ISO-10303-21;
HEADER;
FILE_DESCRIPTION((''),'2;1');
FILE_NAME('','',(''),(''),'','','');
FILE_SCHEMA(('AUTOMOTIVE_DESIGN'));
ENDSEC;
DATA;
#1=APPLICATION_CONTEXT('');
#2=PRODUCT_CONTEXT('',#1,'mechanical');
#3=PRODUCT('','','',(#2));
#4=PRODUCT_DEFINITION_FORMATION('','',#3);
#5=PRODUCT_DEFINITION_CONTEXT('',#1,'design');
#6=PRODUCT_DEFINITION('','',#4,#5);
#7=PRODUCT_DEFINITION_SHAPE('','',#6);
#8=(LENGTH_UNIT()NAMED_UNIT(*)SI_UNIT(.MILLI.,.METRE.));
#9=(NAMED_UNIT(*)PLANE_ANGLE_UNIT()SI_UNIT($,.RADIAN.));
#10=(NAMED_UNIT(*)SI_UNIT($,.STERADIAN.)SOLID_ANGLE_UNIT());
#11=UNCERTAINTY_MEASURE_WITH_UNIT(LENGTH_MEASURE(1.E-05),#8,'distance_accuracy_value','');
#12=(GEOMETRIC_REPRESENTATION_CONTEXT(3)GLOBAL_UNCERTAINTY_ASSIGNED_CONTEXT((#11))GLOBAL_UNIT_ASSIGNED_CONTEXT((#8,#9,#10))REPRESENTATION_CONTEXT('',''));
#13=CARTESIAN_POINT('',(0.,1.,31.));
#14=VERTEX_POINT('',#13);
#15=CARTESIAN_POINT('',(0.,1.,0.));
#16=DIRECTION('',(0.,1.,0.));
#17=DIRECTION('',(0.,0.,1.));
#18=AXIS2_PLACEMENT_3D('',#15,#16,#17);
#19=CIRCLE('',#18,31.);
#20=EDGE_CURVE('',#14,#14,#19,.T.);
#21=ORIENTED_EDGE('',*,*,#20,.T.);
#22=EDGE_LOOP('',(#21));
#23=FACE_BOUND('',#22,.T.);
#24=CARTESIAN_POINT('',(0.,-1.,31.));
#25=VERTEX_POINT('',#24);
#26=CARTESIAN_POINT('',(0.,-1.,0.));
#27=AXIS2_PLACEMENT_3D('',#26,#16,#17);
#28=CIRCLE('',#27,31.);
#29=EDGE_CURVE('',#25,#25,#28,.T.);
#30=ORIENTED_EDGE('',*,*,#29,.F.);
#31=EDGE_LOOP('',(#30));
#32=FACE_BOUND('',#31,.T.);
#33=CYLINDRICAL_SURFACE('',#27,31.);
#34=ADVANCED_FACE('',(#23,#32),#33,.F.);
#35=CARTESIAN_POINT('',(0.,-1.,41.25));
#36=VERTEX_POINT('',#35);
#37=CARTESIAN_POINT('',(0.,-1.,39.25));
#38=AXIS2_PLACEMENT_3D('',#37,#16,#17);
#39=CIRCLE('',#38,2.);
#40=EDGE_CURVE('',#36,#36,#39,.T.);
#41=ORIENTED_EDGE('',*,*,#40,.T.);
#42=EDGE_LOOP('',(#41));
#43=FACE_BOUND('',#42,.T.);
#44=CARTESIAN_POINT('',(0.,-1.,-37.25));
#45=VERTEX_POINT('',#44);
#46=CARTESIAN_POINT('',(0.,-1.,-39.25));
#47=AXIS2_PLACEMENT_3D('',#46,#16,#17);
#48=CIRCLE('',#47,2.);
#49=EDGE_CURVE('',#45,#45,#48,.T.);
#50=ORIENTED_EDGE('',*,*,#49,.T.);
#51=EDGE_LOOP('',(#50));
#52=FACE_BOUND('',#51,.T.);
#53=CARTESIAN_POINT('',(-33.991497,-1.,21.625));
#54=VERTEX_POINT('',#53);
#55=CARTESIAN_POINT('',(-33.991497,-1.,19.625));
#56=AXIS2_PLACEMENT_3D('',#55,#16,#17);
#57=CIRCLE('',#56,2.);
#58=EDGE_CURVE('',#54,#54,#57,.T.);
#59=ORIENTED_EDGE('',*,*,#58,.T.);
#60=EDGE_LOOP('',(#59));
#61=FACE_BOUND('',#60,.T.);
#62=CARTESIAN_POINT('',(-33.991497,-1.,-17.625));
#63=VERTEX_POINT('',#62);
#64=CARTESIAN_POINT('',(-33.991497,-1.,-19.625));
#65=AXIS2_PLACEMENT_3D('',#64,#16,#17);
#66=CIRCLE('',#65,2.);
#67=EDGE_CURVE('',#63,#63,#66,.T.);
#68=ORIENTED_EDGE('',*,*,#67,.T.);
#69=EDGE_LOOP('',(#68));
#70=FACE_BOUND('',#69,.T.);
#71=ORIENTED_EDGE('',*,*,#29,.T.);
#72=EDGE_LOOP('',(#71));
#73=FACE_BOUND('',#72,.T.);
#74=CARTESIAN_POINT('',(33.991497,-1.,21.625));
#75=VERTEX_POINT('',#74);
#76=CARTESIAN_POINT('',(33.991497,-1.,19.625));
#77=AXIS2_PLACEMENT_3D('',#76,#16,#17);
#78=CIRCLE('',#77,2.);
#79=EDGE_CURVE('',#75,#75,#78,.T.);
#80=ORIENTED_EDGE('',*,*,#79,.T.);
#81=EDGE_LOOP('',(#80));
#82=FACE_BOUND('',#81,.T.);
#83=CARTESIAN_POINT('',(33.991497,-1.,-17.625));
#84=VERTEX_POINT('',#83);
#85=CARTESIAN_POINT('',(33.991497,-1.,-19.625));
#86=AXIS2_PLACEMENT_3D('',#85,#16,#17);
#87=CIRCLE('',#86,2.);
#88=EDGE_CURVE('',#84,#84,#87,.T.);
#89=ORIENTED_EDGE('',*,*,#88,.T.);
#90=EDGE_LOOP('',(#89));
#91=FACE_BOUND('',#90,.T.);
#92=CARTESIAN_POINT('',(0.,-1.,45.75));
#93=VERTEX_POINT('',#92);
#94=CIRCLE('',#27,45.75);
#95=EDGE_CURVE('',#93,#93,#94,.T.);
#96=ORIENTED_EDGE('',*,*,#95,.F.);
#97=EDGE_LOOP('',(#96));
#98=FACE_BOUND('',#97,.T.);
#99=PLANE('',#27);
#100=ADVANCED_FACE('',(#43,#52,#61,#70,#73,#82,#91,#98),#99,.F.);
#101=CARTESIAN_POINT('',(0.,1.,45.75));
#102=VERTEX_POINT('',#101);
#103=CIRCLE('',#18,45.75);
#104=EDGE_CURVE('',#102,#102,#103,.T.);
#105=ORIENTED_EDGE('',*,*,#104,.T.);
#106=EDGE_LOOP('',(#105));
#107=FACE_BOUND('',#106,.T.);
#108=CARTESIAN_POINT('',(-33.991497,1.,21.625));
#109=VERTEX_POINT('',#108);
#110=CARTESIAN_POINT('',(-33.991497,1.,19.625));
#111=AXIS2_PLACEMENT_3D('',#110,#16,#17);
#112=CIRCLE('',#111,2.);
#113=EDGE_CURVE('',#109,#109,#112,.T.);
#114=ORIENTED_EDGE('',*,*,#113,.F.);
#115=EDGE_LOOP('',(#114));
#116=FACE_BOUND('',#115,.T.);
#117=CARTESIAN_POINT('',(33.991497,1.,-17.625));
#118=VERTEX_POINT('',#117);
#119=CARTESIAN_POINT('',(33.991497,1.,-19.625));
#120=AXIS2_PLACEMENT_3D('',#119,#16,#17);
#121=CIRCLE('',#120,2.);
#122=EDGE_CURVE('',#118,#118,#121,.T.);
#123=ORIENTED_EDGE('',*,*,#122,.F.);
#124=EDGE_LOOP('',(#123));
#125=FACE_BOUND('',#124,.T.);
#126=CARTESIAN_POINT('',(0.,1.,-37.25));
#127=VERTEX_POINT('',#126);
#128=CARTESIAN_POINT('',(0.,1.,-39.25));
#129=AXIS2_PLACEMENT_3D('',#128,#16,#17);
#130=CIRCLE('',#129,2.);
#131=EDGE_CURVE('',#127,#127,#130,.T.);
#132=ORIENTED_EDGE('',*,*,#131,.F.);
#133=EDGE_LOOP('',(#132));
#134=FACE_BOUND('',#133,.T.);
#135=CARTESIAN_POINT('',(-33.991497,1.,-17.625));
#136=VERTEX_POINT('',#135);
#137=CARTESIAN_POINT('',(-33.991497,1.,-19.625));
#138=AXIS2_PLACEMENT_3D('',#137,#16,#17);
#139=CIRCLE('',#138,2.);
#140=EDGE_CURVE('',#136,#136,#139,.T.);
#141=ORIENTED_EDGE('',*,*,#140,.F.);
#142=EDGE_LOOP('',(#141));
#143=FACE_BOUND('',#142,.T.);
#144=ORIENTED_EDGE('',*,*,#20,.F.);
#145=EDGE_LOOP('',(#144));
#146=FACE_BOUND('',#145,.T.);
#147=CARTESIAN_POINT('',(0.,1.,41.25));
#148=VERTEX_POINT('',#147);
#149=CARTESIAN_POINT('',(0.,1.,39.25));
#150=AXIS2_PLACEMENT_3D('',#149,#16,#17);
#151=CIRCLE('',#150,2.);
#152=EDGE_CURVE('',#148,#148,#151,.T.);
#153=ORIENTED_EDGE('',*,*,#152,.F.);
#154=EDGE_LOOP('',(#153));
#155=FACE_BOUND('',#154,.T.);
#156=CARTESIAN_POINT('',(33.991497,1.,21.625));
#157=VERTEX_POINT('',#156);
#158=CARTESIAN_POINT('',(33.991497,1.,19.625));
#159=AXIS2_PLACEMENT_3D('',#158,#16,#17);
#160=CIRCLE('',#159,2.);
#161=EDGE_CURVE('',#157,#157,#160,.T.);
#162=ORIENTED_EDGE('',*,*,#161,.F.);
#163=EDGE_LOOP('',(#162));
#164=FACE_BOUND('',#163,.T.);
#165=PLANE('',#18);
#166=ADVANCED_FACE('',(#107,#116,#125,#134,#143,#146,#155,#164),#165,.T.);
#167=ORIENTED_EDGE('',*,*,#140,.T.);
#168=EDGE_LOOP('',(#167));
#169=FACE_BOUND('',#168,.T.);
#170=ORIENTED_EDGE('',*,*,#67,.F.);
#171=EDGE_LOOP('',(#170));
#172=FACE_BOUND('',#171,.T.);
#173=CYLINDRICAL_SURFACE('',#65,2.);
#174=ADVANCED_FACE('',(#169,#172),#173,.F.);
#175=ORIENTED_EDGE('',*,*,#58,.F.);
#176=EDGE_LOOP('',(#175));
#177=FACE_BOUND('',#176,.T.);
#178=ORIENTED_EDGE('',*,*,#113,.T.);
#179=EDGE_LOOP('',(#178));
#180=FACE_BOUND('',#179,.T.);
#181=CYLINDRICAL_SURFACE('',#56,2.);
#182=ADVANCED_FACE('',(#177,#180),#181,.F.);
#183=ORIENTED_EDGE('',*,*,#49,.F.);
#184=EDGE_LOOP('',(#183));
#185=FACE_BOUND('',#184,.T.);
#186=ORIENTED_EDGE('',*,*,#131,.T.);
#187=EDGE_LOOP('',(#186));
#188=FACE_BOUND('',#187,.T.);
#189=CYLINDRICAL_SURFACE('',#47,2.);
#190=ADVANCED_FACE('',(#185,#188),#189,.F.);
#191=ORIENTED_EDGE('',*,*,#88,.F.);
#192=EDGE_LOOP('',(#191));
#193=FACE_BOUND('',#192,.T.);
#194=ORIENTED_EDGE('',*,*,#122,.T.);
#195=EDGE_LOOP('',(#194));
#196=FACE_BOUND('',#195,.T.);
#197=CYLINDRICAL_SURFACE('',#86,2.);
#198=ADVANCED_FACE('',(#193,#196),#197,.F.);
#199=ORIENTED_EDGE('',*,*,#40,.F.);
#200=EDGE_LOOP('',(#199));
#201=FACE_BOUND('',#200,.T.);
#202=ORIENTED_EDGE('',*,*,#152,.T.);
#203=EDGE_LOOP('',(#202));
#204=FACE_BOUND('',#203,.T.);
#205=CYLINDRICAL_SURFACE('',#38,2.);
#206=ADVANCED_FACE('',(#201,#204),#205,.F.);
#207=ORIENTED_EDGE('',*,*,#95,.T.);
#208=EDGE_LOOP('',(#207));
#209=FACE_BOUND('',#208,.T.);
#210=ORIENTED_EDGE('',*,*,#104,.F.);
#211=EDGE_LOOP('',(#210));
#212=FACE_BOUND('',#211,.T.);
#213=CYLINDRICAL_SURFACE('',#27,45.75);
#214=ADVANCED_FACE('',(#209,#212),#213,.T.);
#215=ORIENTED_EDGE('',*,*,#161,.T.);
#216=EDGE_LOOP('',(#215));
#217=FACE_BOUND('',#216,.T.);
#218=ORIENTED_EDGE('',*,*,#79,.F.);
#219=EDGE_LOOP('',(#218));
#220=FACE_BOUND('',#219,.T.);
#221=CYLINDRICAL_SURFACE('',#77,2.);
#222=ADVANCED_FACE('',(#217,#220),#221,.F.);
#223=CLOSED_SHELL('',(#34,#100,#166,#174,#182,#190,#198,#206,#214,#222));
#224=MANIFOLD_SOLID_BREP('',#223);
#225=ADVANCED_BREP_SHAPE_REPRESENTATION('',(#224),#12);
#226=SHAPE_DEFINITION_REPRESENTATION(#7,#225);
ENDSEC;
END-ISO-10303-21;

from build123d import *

# Parameters (mm, degrees)
SKETCH1_R           = 45.75
SKETCH1_R_2         = 31
SKETCH1_R_3         = 2
BOSS_EXTRUDE1_DEPTH = 1


with BuildPart() as part:
    # Sketch1 → Boss-Extrude1 (new, symmetric)
    with BuildSketch(Plane(origin=(0, 0, 0), x_dir=(1, 0, 0), z_dir=(0, 1, 0))):
        with Locations(Location((0, 0, 0), (0, 0, 270))):
            Circle(SKETCH1_R)
        with Locations(Location((0, 0, 0), (0, 0, 270))):
            Circle(SKETCH1_R_2, mode=Mode.SUBTRACT)
        with Locations(Location((0, 39.25, 0), (0, 0, 270))):
            Circle(SKETCH1_R_3, mode=Mode.SUBTRACT)
        with Locations(Location((33.991497099, 19.625, 0), (0, 0, 270))):
            Circle(SKETCH1_R_3, mode=Mode.SUBTRACT)
        with Locations(Location((33.991497099, -19.625, 0), (0, 0, 270))):
            Circle(SKETCH1_R_3, mode=Mode.SUBTRACT)
        with Locations(Location((0, -39.25, 0), (0, 0, 270))):
            Circle(SKETCH1_R_3, mode=Mode.SUBTRACT)
        with Locations(Location((-33.991497099, -19.625, 0), (0, 0, 270))):
            Circle(SKETCH1_R_3, mode=Mode.SUBTRACT)
        with Locations(Location((-33.991497099, 19.625, 0), (0, 0, 270))):
            Circle(SKETCH1_R_3, mode=Mode.SUBTRACT)
    extrude(amount=BOSS_EXTRUDE1_DEPTH, both=True)


solid = part.part
